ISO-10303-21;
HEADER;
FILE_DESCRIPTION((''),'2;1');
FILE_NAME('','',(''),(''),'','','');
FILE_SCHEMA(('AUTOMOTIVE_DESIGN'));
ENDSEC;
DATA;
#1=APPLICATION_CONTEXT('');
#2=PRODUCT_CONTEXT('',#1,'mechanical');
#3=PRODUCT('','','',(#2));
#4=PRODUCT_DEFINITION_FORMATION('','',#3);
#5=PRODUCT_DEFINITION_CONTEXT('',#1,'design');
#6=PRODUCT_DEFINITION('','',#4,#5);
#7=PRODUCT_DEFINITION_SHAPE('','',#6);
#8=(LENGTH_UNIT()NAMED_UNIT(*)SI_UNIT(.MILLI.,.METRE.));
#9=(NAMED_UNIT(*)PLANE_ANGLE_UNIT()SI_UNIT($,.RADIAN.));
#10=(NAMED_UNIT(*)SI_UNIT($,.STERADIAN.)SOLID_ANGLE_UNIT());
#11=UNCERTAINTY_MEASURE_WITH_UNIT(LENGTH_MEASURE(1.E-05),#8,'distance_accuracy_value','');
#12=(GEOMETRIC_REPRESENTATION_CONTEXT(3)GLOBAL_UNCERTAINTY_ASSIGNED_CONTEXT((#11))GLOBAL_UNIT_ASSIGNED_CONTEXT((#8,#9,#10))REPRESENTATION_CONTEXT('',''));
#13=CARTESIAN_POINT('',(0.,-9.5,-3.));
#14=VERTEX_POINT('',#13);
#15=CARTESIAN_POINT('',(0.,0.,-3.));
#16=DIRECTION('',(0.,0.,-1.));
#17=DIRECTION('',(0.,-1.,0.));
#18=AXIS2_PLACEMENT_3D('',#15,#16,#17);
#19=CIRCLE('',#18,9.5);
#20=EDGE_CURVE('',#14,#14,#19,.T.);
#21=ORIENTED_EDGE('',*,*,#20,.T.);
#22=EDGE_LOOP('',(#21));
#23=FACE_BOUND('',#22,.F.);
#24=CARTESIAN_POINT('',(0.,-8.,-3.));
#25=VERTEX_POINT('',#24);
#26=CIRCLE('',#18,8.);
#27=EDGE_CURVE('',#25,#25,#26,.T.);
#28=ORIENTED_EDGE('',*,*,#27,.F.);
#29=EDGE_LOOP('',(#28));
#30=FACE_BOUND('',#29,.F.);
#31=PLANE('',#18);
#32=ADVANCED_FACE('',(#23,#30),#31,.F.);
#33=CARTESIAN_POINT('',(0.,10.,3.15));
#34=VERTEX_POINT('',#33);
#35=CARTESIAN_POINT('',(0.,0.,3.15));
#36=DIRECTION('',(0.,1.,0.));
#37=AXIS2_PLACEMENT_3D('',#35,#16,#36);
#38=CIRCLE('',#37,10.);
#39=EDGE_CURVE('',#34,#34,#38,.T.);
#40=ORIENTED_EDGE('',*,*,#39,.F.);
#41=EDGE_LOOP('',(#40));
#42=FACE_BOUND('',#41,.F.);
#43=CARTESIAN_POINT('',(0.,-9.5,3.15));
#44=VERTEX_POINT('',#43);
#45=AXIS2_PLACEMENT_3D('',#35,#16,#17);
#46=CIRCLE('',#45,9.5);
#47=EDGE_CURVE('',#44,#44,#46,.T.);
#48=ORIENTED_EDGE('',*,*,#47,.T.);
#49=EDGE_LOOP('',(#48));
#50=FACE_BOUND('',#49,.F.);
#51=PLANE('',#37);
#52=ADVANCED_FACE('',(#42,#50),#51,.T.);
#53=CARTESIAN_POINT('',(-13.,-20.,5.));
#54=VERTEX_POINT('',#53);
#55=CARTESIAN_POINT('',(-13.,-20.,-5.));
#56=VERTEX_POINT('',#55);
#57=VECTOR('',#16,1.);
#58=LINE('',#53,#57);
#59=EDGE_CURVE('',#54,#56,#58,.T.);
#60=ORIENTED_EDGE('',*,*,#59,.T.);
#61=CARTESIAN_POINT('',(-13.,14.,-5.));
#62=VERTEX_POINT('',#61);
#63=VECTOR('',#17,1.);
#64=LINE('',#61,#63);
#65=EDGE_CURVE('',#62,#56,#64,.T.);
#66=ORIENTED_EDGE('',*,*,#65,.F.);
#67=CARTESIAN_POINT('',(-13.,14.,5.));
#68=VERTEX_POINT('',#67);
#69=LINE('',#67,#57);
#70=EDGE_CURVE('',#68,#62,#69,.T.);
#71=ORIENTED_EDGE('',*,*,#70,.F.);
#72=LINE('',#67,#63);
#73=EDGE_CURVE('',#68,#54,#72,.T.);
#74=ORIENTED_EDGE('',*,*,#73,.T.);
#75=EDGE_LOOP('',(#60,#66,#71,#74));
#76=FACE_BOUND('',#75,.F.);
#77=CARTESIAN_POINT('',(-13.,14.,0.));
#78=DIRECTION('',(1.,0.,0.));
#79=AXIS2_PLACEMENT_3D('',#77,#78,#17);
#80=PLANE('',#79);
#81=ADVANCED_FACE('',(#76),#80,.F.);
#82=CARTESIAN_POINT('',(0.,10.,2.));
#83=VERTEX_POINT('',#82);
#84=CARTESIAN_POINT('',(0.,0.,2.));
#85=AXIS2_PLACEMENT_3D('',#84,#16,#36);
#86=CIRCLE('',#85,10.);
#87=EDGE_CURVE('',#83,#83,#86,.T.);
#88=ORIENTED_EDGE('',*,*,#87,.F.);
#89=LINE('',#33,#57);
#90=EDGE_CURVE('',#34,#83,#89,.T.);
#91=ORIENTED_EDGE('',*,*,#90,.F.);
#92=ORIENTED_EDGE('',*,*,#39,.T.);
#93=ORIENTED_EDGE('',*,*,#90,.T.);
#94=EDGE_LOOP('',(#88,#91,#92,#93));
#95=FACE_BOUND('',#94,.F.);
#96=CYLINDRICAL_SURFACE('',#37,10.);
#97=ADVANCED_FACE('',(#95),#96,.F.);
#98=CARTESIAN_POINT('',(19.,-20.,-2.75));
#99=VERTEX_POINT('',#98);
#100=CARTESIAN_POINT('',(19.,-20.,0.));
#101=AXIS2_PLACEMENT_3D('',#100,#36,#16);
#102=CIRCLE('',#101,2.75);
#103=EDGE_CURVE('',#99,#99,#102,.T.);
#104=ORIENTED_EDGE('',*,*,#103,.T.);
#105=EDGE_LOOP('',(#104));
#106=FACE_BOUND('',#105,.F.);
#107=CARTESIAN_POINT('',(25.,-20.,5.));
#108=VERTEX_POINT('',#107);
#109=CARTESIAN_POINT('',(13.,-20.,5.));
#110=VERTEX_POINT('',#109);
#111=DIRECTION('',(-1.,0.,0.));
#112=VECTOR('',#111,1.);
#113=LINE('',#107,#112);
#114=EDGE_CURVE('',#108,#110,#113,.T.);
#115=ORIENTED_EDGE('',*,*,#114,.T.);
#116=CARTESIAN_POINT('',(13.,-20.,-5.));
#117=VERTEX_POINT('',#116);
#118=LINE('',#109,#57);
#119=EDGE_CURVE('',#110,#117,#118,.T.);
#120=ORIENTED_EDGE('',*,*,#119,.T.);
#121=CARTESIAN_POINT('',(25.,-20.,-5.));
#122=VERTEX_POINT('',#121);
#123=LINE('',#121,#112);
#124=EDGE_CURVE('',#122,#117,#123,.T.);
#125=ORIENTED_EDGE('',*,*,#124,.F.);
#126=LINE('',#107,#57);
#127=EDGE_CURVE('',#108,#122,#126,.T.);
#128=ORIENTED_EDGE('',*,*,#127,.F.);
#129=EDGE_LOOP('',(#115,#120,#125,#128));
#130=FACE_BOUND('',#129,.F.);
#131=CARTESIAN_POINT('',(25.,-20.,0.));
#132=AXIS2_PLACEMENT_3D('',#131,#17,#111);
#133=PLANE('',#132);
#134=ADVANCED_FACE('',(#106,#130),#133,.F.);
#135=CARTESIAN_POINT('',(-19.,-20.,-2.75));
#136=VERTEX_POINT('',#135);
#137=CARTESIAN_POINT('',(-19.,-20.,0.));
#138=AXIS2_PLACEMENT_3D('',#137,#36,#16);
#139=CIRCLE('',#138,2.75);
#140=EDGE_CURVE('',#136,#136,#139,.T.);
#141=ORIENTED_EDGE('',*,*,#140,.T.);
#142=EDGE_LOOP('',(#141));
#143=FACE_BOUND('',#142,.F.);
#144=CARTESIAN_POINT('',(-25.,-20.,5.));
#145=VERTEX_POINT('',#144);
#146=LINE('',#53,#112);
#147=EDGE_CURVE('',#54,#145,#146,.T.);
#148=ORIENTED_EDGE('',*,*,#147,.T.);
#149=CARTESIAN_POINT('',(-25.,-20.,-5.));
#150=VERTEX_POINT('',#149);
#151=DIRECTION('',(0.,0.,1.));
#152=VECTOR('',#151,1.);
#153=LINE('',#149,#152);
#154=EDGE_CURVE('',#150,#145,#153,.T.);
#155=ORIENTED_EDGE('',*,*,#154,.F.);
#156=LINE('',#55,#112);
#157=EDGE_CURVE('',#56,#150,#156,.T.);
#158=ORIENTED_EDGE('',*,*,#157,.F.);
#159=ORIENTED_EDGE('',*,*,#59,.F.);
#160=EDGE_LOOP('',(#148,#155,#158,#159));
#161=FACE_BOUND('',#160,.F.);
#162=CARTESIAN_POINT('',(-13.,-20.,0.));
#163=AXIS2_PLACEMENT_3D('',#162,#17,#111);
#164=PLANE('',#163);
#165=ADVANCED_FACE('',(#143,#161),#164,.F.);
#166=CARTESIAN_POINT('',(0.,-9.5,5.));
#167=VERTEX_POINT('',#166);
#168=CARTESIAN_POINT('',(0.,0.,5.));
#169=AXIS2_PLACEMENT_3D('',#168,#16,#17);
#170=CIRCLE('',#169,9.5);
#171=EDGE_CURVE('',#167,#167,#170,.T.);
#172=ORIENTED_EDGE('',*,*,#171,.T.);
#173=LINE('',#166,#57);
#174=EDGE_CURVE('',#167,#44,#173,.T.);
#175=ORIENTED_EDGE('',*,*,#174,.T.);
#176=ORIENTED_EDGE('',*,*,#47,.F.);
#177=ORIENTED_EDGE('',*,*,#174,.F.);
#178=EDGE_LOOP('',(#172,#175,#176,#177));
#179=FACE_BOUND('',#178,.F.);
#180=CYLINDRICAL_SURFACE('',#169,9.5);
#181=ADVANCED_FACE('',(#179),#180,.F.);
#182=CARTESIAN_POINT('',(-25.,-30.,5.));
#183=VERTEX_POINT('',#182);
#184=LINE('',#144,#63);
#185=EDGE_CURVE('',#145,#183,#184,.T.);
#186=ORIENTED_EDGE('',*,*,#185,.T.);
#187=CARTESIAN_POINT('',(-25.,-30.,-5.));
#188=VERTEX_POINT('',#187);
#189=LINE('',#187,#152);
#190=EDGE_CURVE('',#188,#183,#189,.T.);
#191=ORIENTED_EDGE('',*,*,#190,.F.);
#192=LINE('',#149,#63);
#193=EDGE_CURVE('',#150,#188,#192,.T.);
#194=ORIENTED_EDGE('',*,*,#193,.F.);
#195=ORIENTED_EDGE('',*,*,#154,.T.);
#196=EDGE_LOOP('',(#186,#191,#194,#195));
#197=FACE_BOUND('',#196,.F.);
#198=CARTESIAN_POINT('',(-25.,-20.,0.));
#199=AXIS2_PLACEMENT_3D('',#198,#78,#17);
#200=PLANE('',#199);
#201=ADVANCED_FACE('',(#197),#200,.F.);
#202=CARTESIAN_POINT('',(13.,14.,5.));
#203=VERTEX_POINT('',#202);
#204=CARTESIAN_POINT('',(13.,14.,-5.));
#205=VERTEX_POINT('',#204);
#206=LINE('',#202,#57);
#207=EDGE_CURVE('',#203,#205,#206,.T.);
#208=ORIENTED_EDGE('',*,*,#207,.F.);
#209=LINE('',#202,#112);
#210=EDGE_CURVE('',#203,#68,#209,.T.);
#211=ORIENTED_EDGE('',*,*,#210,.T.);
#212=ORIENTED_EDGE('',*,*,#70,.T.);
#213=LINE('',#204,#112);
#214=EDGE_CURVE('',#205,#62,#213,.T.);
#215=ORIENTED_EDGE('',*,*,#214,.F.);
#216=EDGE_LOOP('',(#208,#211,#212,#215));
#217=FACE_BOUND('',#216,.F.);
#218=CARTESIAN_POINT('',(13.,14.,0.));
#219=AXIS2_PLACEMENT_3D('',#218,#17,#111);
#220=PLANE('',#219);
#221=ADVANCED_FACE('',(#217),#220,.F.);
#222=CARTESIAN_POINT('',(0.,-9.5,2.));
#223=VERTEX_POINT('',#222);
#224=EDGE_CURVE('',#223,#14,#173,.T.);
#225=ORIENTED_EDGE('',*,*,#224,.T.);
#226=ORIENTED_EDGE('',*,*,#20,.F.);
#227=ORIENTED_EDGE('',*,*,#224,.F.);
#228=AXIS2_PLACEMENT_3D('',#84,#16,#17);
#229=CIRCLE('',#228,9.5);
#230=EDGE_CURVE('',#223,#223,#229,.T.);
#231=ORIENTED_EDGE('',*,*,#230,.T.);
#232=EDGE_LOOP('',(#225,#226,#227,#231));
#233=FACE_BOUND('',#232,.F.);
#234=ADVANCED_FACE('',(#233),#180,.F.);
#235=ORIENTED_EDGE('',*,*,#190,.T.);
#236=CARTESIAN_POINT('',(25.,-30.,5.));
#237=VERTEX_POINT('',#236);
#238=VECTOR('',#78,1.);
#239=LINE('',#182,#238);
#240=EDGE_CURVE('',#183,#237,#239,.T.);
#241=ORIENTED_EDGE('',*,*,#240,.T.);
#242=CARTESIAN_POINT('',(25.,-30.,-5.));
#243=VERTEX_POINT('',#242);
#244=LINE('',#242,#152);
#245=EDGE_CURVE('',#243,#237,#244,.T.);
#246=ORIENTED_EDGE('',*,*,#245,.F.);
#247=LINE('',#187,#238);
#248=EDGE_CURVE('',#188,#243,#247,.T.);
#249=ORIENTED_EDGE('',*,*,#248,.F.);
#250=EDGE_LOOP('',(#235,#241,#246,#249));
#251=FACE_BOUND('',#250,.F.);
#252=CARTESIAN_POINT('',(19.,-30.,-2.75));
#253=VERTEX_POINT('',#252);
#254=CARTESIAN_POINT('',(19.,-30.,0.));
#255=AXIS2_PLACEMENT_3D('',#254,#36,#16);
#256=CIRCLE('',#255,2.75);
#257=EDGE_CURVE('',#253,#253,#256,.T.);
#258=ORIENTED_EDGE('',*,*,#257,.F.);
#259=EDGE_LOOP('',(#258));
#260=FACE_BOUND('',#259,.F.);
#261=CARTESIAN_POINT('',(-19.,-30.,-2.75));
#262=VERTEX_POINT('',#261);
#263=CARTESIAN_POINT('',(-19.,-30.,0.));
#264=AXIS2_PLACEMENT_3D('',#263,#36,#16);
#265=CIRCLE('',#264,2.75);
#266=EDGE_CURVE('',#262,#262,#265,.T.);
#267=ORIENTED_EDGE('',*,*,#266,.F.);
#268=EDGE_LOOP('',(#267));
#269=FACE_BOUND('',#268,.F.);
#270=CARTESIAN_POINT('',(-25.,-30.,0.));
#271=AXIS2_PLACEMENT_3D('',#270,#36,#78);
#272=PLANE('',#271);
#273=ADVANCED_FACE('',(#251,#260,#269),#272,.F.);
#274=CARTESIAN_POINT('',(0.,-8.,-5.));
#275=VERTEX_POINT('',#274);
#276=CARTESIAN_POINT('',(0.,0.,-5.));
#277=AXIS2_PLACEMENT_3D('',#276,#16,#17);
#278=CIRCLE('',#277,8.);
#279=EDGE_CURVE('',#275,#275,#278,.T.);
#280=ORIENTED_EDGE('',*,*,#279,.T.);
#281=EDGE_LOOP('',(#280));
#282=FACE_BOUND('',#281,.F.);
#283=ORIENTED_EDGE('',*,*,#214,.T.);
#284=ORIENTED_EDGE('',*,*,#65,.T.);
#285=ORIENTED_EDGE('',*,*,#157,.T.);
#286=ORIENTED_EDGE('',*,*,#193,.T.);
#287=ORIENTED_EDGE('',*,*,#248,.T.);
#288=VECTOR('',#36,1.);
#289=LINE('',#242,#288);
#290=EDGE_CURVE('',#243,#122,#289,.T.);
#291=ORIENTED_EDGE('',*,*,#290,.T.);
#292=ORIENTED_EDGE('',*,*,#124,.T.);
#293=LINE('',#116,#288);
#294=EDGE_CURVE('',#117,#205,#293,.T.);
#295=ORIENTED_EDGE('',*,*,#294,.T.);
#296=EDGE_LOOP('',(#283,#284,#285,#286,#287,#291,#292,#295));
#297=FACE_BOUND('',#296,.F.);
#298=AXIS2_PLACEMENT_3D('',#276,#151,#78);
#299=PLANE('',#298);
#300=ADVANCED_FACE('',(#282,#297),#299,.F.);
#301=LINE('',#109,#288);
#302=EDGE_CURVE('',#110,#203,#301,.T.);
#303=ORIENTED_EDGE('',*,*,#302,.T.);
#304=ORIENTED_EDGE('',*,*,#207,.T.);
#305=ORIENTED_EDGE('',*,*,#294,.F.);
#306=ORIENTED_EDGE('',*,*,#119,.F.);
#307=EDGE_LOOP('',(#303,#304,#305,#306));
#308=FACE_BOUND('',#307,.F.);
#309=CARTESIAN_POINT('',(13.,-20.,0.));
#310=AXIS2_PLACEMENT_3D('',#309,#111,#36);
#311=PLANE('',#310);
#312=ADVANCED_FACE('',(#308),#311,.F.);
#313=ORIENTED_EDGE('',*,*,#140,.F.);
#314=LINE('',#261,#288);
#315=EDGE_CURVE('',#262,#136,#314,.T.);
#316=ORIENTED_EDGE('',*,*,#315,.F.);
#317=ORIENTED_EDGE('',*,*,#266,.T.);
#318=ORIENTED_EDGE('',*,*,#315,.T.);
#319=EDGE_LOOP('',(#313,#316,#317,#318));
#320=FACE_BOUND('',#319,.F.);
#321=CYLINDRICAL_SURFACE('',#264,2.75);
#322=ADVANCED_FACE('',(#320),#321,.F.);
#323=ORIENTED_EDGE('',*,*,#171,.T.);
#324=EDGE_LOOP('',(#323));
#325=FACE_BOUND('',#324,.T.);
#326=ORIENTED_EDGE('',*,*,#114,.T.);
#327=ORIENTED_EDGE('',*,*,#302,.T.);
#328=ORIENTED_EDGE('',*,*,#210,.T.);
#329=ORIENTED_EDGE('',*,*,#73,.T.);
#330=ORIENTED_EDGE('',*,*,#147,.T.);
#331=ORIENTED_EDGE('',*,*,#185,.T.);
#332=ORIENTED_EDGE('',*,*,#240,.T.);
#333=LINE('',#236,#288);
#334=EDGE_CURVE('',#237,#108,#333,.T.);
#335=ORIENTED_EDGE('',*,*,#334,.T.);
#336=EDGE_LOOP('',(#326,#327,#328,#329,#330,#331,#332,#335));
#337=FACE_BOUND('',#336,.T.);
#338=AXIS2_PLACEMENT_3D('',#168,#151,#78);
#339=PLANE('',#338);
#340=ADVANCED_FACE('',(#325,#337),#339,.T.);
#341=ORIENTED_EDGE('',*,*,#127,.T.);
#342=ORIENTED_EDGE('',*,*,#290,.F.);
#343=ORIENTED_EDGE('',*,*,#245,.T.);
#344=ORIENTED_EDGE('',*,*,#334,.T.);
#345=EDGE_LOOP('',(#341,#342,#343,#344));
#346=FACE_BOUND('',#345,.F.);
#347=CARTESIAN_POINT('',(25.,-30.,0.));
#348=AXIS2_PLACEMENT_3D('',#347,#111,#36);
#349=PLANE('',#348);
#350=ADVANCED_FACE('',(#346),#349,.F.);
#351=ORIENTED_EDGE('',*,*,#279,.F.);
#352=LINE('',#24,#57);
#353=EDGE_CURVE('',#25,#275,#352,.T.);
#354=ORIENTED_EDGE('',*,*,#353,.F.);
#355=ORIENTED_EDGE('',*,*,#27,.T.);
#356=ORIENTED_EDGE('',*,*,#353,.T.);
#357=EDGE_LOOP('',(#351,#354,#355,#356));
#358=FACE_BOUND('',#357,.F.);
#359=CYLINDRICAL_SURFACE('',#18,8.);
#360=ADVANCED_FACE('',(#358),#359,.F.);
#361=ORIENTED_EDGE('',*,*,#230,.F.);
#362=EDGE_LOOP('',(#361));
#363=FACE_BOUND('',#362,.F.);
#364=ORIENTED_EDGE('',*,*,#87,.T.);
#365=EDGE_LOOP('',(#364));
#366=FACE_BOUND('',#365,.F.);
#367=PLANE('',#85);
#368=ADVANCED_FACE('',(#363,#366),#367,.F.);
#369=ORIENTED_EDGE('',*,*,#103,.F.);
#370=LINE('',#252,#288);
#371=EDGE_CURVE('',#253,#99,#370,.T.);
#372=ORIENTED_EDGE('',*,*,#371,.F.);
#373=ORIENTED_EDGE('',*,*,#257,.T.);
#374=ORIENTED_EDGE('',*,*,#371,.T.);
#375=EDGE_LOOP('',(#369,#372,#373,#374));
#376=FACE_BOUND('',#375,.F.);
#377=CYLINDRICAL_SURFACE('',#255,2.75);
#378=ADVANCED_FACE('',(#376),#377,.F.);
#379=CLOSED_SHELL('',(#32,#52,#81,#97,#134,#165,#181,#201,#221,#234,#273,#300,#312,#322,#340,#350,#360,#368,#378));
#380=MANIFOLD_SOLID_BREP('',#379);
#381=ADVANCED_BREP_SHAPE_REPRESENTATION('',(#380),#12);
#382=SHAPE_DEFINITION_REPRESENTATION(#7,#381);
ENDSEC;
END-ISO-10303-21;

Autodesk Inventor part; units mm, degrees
sketch "Sketch_1" plane through (0, 0, 0) normal (0, 0, 1) x (1, 0, 0)
  line L0 (-25, -20) -> (-25, -30)
  line L1 (-25, -30) -> (25, -30)
  line L2 (25, -30) -> (25, -20)
  line L3 (25, -20) -> (13, -20)
  line L4 (13, -20) -> (13, 14)
  line L5 (13, 14) -> (-13, 14)
  line L6 (-13, 14) -> (-13, -20)
  line L7 (-13, -20) -> (-25, -20)
extrude "Extrusion1" add sketch "Sketch_1" along normal mid plane 10
sketch "Sketch2" plane through (0, 0, 5) normal (0, 0, 1) x (1, 0, 0)
  point P0 (0, 0)
hole "Hole1" at (0, 0, 5) direction (0, 0, -1) diameter 16 depth 10 counterbore diameter 19 counterbore depth 8
sketch "Sketch3" plane through (-25, -30, 5) normal (0, -1, 0) x (1, 0, 0)
  point P0 (6, -5)
hole "Hole2" at (-19, -30, 0) direction (0, 1, 0) diameter 5.5 depth 10
sketch "Sketch4" plane through (-25, -30, 5) normal (0, -1, 0) x (1, 0, 0)
  point P0 (44, -5)
hole "Hole3" at (19, -30, 0) direction (0, 1, 0) diameter 5.5 depth 10
sketch "Sketch_4" plane through (0, 0, 0) normal (1, 0, 0) x (0, 0, -1)
  line L0 (-2, 0) -> (-3.15, 0)
  line L1 (-3.15, 0) -> (-3.15, 10)
  line L2 (-3.15, 10) -> (-2, 10)
  line L3 (-2, 10) -> (-2, 0)
  line L4 (-2, 0) -> (-3.15, 0)
revolve "Revolution1" cut sketch "Sketch_4" angle 360 about axis through (0, 0, 2) along (0, 0, -1)
ref_plane "housing_to_dummy_XY" through (0, 0, 0) normal (1, 0, 0) x (0, 0, -1)
ref_plane "housing_to_dummy_YZ" through (0, 0, 0) normal (0, 0, -1) x (0, 1, 0)
ref_plane "housing_to_dummy_ZX" through (0, 0, 0) normal (0, 1, 0) x (1, 0, 0)
ref_plane "to_bearing_XY" through (0, 0, -3) normal (0, 0, -1) x (1, 0, 0)
ref_plane "to_bearing_YZ" through (0, 0, -3) normal (1, 0, 0) x (0, -1, 0)
ref_plane "to_bearing_ZX" through (0, 0, -3) normal (0, -1, 0) x (0, 0, -1)
ref_plane "to_rring_XY" through (0, 0, 2) normal (0, 0, -1) x (1, 0, 0)
ref_plane "to_rring_YZ" through (0, 0, 2) normal (1, 0, 0) x (0, -1, 0)
ref_plane "to_rring_ZX" through (0, 0, 2) normal (0, -1, 0) x (0, 0, -1)
properties part number "BGHK6800VV-30_h"
